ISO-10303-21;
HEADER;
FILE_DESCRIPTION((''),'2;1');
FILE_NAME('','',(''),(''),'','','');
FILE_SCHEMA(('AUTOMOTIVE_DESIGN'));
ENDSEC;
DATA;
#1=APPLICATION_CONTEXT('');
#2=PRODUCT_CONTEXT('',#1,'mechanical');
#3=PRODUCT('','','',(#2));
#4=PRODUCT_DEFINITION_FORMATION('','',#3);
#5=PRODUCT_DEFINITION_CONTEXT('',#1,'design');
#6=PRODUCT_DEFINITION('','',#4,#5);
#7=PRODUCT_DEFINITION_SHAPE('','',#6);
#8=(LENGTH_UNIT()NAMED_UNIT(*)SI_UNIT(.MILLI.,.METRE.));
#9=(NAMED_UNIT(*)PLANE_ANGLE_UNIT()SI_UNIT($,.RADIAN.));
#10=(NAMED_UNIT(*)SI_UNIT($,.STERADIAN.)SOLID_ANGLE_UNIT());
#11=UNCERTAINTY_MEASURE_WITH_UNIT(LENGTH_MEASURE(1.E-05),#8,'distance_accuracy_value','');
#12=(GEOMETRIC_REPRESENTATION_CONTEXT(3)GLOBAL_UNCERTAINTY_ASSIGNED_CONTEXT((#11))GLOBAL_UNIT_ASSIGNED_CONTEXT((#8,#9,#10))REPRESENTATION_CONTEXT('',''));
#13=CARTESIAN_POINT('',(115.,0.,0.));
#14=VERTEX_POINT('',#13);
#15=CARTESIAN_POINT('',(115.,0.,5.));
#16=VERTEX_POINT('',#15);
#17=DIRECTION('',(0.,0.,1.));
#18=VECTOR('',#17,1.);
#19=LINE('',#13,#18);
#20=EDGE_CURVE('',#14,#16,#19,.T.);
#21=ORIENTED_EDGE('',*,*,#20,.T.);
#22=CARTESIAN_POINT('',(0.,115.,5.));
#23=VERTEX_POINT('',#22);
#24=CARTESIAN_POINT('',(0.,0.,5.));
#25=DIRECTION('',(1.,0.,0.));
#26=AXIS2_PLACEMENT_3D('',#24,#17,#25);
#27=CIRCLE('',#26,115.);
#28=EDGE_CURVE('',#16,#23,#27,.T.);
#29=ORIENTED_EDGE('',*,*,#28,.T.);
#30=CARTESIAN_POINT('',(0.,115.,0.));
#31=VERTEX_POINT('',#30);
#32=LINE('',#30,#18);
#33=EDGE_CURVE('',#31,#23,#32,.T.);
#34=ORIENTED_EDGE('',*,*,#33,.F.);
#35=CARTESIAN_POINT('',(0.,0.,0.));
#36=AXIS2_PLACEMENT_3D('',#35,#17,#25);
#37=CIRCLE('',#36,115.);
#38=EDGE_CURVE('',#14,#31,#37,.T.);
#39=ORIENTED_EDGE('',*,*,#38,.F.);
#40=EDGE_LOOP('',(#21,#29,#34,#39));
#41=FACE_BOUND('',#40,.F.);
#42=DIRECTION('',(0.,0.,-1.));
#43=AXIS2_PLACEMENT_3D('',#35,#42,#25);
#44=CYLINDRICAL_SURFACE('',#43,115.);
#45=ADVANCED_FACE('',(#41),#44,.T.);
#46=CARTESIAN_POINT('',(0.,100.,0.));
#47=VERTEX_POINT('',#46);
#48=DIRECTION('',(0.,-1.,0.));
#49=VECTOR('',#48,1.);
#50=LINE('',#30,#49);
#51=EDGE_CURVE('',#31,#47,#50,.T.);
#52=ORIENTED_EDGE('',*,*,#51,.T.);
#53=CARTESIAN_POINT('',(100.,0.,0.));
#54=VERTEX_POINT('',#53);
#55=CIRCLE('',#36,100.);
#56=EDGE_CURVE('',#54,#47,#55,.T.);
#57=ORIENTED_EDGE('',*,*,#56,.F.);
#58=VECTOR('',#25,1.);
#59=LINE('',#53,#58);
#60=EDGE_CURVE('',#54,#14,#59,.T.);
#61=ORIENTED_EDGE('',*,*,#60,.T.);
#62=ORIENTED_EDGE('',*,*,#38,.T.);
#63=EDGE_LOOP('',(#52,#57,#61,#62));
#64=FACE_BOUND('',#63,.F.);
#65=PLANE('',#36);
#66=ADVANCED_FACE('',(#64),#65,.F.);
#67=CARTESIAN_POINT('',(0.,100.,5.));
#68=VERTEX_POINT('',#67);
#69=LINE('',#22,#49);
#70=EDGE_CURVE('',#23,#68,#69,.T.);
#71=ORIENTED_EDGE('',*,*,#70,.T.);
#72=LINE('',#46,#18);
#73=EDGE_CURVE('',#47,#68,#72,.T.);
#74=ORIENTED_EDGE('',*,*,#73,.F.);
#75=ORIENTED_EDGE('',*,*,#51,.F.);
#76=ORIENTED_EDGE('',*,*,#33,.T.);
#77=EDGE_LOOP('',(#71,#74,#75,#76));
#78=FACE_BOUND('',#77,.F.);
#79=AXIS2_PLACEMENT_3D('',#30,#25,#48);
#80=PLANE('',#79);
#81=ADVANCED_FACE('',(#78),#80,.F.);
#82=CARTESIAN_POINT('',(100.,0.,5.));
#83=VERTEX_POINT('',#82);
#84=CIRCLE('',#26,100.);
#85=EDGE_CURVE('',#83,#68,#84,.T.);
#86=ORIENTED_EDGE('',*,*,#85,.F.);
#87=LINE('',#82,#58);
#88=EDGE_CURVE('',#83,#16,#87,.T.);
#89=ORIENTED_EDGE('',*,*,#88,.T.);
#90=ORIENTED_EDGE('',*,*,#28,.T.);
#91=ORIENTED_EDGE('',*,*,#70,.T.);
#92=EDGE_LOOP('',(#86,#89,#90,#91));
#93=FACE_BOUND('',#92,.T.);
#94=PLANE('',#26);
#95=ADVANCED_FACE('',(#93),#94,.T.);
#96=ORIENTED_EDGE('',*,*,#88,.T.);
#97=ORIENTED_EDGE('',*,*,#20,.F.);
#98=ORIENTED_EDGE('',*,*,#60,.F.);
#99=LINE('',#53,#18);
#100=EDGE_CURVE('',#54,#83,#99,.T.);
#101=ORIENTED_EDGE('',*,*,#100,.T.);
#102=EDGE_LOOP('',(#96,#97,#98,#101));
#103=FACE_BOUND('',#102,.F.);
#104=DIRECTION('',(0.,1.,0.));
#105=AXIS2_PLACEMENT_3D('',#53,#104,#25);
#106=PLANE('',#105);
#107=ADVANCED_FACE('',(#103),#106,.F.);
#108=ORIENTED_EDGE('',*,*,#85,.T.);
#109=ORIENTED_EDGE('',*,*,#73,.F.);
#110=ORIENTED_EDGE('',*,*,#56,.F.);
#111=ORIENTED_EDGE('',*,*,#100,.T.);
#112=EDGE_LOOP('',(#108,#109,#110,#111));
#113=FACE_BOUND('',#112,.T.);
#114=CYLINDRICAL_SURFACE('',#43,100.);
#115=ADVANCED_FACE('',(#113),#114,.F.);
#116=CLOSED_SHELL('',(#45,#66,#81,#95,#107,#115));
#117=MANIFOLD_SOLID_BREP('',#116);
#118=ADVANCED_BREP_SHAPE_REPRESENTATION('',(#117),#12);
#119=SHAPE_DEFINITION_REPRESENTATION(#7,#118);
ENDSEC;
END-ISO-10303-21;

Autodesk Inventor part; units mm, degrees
ref_plane "YZ Plane" through (0, 0, 0) normal (1, 0, 0) x (0, 1, 0)
ref_plane "XZ Plane" through (0, 0, 0) normal (0, 1, 0) x (-1, 0, 0)
ref_plane "XY Plane" through (0, 0, 0) normal (0, 0, 1) x (1, 0, 0)
sketch "Sketch1" plane through (0, 0, 0) normal (0, 0, 1) x (1, 0, 0)
  arc A0 (100, 0) -> (0, 100) centre (0, 0) ccw
  arc A1 (115, 0) -> (0, 115) centre (0, 0) ccw
  line L0 (0, 115) -> (0, 100)
  line L1 (100, 0) -> (115, 0)
  dimension "d0" = 200
  dimension "d1" = 230
extrude "Extrusion1" add sketch "Sketch1" along normal blind 5
properties part number "curved_line_sml"
